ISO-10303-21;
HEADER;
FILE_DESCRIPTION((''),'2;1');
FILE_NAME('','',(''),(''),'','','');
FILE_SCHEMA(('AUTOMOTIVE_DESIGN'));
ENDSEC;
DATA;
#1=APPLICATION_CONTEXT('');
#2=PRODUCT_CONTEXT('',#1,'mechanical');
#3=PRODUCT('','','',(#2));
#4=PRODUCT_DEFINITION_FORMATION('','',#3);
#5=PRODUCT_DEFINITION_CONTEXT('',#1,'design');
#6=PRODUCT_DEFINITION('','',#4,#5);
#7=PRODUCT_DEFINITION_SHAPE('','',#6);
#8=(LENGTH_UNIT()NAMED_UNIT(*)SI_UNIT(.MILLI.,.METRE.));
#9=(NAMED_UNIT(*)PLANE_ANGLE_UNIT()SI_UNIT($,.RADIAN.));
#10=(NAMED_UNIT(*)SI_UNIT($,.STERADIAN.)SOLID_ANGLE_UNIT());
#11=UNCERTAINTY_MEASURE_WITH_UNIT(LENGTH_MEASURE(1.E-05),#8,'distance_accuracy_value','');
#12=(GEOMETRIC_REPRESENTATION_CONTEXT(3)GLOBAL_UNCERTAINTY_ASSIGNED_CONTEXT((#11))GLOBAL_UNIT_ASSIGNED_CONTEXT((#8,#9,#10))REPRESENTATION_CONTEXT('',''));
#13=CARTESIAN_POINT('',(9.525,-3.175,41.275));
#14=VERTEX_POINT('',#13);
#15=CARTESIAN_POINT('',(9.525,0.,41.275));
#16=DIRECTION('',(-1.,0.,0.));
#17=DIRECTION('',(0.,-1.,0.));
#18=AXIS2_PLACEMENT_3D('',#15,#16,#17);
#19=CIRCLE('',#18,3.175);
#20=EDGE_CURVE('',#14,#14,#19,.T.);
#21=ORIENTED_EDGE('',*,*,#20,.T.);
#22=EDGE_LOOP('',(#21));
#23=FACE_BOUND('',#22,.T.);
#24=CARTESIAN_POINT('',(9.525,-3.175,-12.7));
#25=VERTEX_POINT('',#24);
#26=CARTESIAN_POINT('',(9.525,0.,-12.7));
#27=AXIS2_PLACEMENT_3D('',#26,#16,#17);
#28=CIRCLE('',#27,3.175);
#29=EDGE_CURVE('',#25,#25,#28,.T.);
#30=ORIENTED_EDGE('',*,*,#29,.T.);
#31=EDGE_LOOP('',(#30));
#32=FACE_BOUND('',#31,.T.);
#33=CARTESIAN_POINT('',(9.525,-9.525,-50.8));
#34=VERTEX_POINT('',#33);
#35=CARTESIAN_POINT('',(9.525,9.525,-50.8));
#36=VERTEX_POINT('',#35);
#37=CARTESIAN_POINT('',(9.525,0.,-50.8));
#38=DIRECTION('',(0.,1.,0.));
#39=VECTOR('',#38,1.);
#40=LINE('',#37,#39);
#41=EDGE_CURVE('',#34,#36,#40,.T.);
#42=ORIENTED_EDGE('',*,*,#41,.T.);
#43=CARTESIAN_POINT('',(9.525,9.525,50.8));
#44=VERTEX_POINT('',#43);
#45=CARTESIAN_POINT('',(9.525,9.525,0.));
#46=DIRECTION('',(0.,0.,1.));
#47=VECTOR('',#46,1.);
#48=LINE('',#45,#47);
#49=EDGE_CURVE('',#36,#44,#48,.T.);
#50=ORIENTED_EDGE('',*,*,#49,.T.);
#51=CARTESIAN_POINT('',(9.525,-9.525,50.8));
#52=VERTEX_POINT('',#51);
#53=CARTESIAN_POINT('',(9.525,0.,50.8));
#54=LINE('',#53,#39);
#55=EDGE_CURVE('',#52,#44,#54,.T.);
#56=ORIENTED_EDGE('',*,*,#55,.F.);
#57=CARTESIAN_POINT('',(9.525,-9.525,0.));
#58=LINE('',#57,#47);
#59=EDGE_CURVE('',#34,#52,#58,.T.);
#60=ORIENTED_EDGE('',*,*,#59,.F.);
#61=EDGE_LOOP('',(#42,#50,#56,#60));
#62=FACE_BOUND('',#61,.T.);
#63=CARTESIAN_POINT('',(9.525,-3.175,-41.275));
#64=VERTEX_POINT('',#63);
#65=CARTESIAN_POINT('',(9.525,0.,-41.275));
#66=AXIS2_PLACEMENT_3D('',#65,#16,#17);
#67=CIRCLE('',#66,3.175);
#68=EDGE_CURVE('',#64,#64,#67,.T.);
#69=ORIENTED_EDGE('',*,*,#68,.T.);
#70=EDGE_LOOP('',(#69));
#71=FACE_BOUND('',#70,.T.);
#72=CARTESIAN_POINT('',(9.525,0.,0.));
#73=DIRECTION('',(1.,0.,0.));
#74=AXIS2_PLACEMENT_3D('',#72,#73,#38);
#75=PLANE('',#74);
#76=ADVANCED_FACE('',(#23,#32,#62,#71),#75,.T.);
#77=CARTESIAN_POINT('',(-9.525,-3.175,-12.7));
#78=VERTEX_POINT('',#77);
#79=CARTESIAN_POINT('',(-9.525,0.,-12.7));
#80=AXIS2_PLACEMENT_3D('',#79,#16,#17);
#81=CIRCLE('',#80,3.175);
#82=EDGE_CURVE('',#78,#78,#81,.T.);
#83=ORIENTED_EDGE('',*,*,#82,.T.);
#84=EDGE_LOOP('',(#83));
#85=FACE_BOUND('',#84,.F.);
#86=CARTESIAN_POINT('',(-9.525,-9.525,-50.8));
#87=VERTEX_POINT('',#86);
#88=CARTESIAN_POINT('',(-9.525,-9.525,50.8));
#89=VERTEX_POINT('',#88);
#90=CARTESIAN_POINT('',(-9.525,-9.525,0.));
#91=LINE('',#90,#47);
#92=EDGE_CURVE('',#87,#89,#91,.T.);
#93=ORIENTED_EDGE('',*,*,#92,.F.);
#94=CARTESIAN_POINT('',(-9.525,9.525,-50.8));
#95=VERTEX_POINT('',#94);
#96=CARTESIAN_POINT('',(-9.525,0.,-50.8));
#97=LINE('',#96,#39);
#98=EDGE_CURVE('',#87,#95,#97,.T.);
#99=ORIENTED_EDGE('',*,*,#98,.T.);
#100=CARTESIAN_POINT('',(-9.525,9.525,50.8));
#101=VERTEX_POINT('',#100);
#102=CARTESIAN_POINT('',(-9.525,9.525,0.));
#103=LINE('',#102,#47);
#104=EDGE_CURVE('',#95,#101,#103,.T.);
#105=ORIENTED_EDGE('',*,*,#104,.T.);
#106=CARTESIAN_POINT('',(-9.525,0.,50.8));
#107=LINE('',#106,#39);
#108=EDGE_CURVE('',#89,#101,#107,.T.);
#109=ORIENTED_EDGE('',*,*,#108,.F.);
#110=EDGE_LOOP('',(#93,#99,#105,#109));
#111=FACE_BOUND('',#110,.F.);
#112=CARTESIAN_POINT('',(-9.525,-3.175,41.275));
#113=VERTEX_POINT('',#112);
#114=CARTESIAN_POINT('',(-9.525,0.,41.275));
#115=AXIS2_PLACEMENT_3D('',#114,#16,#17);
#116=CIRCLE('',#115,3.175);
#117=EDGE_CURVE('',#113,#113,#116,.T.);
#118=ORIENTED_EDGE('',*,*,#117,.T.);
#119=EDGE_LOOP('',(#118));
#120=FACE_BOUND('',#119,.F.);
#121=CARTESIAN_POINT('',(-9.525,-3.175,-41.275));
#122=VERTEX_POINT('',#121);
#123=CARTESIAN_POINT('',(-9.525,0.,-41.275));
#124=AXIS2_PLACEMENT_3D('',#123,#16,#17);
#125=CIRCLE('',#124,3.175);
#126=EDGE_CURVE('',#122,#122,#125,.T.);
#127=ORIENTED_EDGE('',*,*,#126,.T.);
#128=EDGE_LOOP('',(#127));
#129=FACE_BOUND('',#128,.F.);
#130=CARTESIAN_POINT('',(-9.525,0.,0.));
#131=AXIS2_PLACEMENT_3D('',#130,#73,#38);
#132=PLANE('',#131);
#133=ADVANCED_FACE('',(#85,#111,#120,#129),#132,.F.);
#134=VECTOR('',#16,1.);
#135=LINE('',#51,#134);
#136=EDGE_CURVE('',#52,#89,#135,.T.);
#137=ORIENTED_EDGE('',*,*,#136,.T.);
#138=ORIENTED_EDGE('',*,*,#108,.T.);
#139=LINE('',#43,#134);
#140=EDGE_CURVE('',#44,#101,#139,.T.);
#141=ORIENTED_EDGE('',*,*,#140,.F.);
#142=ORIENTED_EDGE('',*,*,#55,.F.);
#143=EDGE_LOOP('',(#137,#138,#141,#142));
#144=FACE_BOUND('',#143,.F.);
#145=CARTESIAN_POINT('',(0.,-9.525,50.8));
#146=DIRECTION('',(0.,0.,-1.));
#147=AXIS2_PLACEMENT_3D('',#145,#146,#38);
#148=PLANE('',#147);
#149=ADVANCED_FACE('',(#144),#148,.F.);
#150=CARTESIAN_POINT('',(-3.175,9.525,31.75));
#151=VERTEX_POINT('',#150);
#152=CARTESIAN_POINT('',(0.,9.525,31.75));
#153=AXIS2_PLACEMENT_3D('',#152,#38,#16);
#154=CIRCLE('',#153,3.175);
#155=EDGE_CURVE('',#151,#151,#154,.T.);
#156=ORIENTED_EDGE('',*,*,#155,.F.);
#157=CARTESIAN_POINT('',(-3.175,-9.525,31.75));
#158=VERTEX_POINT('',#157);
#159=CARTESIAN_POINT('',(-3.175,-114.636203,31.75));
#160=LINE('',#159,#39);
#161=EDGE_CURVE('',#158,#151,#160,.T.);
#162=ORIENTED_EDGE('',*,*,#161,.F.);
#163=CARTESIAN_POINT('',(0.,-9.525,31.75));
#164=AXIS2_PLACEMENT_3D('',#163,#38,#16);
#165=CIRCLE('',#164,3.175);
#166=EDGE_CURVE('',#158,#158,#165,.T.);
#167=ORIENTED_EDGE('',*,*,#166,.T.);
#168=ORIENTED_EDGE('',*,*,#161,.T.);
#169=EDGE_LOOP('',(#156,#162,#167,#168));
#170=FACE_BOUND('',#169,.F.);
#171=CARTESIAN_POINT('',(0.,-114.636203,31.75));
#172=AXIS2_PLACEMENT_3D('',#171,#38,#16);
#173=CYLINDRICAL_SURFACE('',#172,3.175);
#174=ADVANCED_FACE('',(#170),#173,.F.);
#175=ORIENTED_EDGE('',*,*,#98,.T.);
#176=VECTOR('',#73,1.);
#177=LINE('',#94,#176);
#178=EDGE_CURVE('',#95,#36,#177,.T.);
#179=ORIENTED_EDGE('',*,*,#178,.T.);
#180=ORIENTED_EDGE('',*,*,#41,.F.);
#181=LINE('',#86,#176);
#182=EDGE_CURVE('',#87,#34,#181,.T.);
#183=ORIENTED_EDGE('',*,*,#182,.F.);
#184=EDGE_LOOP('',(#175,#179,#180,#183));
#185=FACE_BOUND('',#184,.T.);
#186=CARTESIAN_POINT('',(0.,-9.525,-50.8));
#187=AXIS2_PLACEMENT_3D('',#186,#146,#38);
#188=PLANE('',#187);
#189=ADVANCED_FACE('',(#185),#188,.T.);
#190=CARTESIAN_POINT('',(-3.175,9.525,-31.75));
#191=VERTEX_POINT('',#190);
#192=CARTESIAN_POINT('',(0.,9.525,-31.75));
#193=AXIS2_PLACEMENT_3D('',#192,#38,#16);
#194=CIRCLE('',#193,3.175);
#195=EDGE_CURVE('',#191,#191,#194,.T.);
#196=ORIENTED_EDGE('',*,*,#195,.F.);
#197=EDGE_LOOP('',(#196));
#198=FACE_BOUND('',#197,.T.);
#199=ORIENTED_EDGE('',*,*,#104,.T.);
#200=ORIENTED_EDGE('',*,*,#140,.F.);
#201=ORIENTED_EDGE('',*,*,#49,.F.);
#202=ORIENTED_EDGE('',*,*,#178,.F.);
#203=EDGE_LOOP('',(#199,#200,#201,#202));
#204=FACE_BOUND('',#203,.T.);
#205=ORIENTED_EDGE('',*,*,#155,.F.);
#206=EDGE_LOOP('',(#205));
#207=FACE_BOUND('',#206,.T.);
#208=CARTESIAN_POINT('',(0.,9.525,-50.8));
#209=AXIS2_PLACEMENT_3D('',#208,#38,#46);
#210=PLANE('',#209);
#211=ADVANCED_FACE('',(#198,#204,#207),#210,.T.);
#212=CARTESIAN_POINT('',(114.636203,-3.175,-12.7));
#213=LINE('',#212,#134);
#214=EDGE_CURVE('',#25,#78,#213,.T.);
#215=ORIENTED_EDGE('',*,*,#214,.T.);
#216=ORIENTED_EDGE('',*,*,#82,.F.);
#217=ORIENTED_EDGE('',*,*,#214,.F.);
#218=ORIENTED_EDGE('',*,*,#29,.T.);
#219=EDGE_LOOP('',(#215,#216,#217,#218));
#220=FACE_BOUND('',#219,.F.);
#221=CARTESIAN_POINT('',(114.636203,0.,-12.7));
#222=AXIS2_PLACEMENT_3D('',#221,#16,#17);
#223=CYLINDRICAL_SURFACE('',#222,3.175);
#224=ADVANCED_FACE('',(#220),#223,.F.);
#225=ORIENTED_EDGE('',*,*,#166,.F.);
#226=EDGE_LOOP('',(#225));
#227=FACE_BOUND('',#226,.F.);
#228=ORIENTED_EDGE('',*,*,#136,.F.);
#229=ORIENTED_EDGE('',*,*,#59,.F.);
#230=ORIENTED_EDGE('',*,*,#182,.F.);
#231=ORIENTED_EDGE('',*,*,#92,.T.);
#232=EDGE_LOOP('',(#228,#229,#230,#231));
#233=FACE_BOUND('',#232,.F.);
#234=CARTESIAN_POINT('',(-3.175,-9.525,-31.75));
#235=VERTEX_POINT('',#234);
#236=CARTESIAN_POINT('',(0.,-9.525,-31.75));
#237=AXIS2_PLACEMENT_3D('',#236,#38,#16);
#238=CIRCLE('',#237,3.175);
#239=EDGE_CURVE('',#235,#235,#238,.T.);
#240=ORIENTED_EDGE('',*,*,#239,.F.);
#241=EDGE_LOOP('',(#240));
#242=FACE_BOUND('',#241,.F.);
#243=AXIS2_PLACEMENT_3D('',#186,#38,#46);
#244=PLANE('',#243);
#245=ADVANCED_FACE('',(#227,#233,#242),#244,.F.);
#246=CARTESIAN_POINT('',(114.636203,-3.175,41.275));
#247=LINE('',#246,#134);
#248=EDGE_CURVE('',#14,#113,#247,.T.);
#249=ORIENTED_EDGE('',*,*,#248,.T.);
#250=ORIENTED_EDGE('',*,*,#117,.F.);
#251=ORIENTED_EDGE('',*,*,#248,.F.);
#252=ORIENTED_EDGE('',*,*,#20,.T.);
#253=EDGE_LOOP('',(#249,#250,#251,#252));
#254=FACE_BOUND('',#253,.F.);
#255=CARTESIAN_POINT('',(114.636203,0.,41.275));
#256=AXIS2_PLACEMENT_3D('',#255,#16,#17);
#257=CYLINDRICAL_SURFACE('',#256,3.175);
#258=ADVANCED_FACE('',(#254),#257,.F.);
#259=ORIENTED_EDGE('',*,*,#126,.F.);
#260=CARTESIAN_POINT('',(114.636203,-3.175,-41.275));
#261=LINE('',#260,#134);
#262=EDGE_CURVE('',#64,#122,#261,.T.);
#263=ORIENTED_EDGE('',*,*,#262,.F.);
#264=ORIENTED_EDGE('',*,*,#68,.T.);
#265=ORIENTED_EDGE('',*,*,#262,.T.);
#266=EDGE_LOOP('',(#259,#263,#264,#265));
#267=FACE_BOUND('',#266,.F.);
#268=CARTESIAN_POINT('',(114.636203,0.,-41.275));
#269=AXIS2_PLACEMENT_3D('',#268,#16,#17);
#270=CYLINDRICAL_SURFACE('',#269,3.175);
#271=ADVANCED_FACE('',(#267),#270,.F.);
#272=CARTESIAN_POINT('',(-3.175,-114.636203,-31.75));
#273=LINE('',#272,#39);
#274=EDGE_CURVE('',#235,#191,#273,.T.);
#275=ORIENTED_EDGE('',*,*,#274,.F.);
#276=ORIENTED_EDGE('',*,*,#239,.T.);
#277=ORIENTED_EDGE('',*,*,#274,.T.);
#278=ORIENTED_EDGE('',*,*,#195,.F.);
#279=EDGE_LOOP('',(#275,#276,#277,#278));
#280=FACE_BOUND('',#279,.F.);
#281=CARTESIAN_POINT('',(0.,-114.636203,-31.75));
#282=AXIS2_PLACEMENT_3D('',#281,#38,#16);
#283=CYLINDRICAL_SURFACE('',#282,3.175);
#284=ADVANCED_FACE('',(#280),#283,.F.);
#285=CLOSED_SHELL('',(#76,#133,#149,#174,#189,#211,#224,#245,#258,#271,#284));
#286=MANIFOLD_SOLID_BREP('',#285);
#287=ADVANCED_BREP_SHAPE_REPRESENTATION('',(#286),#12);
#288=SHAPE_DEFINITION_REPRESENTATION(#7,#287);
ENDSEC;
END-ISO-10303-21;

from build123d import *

# Parameters (mm, degrees)
F0_W     = 19.05
F0_H     = 101.6
F1_DEPTH = 9.525
F3_D     = 6.35
F5_D     = 6.35
F7_D     = 6.35


with BuildPart() as f1:
    # F0 (on Right) → F1 (new body, symmetric)
    with BuildSketch(Plane.YZ):
        Rectangle(F0_W, F0_H)
    extrude(amount=F1_DEPTH, both=True)

    # F3 (through all)
    with Locations(Plane.XZ.offset(9.525)):
        with Locations((0, 31.75), (0, -31.75)):
            Hole(F3_D / 2)

    # F5 (through all)
    with Locations(Plane.YZ.offset(9.525)):
        with Locations((0, 41.275), (0, -41.275)):
            Hole(F5_D / 2)

    # F7 (through all)
    with Locations(Plane.YZ.offset(9.525)):
        with Locations((0, -12.7)):
            Hole(F7_D / 2)


solid = f1.part
